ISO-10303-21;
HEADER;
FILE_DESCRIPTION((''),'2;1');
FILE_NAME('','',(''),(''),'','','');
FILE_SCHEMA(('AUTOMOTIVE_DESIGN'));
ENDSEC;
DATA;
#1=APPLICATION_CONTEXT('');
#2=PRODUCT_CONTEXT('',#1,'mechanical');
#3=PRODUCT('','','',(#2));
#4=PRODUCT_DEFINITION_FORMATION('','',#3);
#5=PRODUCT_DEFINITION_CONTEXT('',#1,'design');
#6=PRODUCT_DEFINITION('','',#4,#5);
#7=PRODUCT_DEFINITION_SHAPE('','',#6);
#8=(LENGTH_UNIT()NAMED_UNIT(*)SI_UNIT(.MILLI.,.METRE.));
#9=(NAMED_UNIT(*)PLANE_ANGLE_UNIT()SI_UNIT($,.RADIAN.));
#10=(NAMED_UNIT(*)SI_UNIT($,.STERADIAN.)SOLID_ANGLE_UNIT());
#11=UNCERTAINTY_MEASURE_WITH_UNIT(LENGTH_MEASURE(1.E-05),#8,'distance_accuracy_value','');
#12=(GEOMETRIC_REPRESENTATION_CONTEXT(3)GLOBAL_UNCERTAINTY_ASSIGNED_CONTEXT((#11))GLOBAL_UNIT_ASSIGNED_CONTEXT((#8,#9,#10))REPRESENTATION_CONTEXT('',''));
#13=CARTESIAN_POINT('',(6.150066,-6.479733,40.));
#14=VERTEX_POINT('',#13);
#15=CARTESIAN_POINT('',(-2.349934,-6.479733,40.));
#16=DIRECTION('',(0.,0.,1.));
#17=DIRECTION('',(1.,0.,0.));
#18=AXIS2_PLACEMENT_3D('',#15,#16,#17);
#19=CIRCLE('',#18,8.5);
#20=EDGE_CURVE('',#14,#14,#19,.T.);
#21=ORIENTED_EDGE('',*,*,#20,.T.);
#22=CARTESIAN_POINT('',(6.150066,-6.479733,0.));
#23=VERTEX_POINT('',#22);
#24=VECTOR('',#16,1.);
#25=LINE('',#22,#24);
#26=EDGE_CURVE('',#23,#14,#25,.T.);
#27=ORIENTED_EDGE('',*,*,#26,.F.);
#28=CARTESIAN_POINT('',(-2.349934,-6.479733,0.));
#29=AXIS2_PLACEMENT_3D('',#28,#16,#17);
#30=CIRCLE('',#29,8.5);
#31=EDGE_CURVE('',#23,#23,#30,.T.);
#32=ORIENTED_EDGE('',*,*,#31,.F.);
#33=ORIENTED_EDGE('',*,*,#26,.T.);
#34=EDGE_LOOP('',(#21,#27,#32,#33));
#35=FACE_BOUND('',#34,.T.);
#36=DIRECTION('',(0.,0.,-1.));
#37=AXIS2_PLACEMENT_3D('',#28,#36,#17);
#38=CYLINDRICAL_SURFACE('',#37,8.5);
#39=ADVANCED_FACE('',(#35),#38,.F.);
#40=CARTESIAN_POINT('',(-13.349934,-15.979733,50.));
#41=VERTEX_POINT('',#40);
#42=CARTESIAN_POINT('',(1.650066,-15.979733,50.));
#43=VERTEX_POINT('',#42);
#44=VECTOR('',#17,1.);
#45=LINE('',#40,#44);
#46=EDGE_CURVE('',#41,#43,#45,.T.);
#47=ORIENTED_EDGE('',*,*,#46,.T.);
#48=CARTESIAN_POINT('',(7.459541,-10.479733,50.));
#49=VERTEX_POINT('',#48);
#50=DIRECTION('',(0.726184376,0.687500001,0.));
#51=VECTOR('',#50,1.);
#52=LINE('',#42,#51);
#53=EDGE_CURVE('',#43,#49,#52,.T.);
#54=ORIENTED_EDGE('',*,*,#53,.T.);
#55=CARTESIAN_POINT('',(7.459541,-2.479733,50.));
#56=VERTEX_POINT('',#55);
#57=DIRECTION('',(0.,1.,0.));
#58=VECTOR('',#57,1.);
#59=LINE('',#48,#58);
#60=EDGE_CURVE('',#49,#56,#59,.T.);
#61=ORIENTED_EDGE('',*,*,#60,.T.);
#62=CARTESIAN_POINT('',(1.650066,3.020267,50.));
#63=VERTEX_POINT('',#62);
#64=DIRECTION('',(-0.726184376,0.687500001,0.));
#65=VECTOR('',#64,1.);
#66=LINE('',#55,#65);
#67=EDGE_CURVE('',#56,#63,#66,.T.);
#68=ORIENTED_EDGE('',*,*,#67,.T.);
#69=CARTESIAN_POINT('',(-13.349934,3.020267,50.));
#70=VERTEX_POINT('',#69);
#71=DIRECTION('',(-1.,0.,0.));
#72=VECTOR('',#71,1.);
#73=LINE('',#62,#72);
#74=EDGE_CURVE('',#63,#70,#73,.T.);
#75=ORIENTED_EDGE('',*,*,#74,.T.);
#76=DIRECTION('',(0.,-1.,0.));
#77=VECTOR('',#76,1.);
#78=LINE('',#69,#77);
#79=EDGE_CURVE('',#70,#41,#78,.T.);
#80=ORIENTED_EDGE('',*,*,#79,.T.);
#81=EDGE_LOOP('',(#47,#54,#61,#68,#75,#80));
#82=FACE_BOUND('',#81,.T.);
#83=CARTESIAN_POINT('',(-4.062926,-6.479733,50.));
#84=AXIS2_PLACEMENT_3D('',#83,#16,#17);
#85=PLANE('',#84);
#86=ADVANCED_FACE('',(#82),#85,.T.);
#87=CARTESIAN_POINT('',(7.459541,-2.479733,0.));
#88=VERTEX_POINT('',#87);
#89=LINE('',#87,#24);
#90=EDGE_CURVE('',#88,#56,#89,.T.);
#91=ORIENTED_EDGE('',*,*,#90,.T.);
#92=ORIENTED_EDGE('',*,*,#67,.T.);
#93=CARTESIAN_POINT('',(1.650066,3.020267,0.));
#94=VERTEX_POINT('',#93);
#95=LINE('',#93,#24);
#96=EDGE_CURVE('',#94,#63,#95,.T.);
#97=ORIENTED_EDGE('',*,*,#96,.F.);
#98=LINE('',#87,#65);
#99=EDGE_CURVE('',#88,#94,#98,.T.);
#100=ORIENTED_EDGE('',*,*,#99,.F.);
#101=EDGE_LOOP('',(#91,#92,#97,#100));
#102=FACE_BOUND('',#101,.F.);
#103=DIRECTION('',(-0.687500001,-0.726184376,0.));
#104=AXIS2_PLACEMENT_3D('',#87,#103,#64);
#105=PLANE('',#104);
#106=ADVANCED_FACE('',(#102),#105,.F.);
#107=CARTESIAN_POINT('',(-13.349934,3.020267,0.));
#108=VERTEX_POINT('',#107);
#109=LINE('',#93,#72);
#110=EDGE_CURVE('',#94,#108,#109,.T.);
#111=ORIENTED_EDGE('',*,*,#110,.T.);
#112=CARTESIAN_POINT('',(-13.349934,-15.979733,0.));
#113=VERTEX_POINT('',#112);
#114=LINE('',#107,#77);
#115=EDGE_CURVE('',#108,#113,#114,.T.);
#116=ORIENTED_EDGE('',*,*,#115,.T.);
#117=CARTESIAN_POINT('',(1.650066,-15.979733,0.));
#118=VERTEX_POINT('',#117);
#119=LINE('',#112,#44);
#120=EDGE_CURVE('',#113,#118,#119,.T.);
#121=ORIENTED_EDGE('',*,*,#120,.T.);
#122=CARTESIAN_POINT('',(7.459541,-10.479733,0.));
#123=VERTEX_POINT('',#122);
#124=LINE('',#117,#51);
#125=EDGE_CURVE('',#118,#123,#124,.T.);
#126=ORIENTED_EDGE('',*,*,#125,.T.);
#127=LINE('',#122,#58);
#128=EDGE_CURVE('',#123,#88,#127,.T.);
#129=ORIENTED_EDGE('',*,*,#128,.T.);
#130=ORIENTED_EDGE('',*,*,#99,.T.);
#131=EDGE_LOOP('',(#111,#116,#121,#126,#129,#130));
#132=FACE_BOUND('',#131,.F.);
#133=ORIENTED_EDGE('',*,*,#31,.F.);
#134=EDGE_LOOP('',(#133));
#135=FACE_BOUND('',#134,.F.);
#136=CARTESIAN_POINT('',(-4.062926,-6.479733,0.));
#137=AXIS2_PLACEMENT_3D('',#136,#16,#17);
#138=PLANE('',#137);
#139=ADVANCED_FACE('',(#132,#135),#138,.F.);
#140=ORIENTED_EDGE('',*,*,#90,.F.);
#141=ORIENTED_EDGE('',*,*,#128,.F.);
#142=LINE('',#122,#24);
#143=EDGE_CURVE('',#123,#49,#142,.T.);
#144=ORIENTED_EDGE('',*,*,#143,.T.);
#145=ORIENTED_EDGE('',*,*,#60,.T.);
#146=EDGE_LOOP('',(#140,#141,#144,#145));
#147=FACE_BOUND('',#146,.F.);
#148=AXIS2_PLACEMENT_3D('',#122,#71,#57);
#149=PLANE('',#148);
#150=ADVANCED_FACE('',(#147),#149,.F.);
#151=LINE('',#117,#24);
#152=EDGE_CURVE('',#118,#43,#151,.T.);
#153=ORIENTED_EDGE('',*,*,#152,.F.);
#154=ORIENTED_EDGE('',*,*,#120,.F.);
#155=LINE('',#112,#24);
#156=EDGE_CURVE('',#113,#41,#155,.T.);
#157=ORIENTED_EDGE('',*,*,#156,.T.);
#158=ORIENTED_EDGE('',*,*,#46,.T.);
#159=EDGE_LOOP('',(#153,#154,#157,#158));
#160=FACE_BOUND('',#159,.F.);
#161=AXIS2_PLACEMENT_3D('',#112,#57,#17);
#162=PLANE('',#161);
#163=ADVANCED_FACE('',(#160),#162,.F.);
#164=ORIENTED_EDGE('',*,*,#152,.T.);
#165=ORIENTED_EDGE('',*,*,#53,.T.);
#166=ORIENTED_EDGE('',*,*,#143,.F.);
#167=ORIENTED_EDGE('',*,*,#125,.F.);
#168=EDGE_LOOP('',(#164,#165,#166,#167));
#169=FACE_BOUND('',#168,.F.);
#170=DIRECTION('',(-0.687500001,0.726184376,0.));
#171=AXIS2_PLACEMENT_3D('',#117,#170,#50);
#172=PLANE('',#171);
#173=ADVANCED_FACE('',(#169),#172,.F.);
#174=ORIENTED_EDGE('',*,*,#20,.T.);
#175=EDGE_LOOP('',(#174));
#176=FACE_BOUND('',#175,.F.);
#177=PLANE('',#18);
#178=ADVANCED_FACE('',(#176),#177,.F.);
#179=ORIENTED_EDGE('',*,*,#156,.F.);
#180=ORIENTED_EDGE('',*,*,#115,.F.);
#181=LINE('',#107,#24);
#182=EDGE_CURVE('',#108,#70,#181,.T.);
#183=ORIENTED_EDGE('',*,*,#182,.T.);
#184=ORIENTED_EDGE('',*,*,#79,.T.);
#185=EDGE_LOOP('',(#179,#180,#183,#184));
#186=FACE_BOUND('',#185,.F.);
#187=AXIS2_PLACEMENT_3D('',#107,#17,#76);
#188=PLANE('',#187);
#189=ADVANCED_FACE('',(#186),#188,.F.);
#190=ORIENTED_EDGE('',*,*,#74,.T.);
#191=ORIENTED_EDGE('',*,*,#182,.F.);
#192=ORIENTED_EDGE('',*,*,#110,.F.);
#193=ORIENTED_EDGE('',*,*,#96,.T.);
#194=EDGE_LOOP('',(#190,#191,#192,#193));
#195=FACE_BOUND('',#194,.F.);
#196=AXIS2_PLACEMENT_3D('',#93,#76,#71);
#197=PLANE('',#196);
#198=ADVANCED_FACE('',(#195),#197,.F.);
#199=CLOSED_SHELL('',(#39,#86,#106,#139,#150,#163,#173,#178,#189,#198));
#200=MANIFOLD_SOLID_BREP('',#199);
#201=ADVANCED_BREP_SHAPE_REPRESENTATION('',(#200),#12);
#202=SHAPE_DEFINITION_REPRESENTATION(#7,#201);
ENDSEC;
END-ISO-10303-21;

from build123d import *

# Parameters (mm, degrees)
F1_DEPTH = 50
F2_R     = 8.5
F3_DEPTH = 40


with BuildPart() as f1:
    # F0 (on Top) → F1 (new body)
    with BuildSketch(Plane.XY):
        Polygon((1.650066, 3.020267), (-13.349934, 3.020267), (-13.349934, -15.979733), (1.650066, -15.979733), (7.459541, -10.479733), (7.459541, -2.479733), align=None)
    extrude(amount=F1_DEPTH)

    # F2 (on Top) → F3 (cut)
    with BuildSketch(Plane.XY):
        with Locations((-2.349934, -6.479733)):
            Circle(F2_R)
    extrude(amount=F3_DEPTH, mode=Mode.SUBTRACT)


solid = f1.part
